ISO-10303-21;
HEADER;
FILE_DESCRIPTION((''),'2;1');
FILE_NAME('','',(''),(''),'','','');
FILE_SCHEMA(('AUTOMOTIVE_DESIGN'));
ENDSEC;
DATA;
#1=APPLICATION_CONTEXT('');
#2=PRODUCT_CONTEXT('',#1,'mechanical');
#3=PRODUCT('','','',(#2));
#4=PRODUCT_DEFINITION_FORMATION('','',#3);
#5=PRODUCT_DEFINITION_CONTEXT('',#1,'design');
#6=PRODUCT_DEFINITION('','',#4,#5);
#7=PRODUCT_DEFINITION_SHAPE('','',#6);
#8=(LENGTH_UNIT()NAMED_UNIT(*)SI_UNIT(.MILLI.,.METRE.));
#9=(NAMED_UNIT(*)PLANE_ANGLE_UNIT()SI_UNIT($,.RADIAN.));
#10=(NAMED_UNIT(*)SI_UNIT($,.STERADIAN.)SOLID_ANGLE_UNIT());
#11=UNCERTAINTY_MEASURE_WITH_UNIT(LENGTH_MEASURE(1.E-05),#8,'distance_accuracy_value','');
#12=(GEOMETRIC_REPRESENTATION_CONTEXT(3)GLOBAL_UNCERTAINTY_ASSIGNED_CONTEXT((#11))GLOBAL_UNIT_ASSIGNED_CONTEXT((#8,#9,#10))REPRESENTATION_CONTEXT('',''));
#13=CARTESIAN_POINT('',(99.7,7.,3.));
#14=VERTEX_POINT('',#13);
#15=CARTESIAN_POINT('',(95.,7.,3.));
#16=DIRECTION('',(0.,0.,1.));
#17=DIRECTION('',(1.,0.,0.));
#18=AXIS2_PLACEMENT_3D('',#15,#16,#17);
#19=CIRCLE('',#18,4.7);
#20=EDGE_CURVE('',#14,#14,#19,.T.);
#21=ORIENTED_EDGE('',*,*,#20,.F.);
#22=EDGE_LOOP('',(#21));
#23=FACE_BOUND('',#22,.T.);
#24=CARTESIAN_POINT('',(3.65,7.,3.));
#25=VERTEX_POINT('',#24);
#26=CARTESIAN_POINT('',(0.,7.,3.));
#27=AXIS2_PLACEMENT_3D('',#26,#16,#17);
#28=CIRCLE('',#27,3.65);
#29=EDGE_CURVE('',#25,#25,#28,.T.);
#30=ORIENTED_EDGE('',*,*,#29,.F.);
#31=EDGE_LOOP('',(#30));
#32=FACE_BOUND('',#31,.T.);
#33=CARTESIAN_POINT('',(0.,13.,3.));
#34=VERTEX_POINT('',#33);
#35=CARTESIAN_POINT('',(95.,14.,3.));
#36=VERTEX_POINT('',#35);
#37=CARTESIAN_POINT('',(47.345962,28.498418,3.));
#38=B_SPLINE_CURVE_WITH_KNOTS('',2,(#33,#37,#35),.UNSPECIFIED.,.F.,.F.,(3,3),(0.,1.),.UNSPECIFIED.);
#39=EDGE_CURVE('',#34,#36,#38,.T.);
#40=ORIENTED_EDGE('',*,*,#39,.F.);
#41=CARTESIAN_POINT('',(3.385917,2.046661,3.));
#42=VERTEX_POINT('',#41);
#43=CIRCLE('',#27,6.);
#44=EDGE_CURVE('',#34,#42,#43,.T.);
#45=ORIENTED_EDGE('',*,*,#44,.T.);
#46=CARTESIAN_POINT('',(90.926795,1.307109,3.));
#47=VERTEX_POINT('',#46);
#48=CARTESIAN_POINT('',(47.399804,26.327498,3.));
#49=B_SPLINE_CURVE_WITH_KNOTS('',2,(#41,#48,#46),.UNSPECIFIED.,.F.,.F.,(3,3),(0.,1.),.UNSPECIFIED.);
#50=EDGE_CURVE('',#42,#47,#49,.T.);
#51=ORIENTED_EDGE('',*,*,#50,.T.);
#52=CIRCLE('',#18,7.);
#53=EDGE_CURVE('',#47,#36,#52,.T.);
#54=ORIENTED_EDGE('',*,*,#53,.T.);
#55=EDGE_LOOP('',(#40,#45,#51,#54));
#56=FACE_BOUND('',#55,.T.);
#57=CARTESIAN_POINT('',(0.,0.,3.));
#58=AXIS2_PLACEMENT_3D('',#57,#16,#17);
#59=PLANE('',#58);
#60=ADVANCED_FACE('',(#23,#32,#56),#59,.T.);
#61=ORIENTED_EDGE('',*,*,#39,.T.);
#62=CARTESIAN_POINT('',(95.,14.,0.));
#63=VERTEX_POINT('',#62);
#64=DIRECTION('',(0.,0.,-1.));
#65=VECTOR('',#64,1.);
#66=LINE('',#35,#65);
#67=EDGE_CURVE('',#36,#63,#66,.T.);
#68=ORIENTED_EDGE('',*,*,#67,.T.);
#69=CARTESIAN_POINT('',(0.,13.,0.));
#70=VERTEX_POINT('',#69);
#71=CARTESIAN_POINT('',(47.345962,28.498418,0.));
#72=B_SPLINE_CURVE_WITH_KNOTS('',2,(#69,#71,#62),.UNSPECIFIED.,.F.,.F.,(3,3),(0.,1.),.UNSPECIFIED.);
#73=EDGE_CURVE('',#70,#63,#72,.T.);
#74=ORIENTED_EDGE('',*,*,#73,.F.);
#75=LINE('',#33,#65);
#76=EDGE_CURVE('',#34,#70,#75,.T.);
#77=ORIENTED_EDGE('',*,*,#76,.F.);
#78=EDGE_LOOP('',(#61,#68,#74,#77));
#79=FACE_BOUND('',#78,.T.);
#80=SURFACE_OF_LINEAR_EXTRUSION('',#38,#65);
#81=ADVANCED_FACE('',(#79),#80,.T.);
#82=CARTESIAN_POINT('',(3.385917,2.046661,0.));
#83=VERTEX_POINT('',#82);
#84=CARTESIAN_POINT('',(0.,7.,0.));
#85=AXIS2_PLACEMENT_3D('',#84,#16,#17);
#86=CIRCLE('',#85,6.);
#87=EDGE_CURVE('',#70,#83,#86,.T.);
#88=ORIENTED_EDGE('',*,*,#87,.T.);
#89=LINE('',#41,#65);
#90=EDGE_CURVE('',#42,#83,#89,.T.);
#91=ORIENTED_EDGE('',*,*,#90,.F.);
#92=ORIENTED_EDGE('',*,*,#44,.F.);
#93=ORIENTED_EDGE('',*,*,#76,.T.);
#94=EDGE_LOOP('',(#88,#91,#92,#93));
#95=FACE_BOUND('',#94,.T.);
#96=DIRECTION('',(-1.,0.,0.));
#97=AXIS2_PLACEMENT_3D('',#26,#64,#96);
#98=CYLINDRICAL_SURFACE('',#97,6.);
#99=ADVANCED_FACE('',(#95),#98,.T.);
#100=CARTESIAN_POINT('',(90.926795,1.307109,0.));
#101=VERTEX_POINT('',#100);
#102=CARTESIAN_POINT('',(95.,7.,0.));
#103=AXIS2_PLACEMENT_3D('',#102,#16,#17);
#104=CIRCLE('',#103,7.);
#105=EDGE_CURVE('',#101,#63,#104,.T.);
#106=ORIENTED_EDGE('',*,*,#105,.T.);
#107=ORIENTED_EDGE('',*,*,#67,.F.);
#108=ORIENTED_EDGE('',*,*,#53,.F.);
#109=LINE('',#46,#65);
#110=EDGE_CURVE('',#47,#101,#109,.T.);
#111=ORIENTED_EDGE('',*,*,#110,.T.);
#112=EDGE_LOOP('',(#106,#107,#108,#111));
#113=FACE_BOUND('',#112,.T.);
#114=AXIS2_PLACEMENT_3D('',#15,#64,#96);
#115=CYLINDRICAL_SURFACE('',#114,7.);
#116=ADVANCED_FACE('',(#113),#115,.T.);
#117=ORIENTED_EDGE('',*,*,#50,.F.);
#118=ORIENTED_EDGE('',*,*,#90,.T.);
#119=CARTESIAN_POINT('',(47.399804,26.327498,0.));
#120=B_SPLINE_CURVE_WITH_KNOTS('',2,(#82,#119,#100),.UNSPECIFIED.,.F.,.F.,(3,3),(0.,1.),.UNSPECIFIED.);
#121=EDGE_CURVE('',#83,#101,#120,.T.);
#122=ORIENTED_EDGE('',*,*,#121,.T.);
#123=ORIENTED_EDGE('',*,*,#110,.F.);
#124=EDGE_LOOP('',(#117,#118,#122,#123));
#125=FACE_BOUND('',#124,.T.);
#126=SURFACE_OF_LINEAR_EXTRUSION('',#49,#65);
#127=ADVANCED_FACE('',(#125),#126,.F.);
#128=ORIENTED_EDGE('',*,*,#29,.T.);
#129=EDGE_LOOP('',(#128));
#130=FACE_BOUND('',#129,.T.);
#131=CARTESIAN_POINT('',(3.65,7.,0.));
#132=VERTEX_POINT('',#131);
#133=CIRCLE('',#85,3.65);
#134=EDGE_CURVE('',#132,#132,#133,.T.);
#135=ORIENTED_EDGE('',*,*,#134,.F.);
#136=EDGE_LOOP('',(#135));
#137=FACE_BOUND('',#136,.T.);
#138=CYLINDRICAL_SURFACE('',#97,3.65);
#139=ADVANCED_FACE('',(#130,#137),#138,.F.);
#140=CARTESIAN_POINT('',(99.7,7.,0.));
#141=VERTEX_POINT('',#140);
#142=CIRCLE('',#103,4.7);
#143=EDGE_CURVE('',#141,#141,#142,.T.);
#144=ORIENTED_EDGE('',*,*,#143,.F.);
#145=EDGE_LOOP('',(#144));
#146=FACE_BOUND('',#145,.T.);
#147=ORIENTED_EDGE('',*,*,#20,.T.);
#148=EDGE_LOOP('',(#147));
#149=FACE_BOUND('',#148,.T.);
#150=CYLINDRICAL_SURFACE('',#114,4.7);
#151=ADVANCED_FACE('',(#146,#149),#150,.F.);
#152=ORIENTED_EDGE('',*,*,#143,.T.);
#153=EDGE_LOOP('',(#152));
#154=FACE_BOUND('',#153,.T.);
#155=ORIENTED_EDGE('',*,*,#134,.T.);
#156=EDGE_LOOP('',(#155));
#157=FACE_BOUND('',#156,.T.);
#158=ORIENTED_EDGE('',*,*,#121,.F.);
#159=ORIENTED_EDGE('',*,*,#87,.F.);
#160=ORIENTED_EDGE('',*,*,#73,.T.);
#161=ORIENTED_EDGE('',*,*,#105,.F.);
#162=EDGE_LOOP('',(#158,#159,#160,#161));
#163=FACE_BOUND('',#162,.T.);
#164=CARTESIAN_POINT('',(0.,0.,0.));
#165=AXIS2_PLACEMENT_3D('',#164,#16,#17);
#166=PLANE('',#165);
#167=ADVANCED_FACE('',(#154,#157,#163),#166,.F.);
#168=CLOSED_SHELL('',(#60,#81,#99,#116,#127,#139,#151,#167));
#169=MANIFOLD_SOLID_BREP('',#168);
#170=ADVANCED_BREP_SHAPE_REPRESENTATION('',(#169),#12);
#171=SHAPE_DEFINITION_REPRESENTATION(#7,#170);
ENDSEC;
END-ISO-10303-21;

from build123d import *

# Parameters (mm, degrees)
SKETCH_1_R      = 3.65
SKETCH_1_R_2    = 4.7
EXTRUDE_3_DEPTH = 3


with BuildPart() as part:
    # 草图1 → 凸台-拉伸3 (new body)
    with BuildSketch(Plane.XY):
        with BuildLine():
            ThreePointArc((90.926795434, 1.307109296), (101.665216985, 4.861102495), (95, 14))
            add(Edge.make_bspline(
                [(95, 14), (47.345961789, 28.498417982), (0, 13)],
                knots=[0.500810725, 0.500810725, 0.500810725, 1.500810725, 1.500810725, 1.500810725], degree=2))
            ThreePointArc((0, 13), (-5.732365711, 5.228000182), (3.385916999, 2.046661118))
            add(Edge.make_bspline(
                [(3.385916999, 2.046661118), (47.399803665, 26.327498122), (90.926795434, 1.307109296)],
                knots=[0, 0, 0, 1, 1, 1], degree=2))
        make_face()
        with Locations((0, 7)):
            Circle(SKETCH_1_R, mode=Mode.SUBTRACT)
        with Locations((95, 7)):
            Circle(SKETCH_1_R_2, mode=Mode.SUBTRACT)
    extrude(amount=EXTRUDE_3_DEPTH)


solid = part.part
